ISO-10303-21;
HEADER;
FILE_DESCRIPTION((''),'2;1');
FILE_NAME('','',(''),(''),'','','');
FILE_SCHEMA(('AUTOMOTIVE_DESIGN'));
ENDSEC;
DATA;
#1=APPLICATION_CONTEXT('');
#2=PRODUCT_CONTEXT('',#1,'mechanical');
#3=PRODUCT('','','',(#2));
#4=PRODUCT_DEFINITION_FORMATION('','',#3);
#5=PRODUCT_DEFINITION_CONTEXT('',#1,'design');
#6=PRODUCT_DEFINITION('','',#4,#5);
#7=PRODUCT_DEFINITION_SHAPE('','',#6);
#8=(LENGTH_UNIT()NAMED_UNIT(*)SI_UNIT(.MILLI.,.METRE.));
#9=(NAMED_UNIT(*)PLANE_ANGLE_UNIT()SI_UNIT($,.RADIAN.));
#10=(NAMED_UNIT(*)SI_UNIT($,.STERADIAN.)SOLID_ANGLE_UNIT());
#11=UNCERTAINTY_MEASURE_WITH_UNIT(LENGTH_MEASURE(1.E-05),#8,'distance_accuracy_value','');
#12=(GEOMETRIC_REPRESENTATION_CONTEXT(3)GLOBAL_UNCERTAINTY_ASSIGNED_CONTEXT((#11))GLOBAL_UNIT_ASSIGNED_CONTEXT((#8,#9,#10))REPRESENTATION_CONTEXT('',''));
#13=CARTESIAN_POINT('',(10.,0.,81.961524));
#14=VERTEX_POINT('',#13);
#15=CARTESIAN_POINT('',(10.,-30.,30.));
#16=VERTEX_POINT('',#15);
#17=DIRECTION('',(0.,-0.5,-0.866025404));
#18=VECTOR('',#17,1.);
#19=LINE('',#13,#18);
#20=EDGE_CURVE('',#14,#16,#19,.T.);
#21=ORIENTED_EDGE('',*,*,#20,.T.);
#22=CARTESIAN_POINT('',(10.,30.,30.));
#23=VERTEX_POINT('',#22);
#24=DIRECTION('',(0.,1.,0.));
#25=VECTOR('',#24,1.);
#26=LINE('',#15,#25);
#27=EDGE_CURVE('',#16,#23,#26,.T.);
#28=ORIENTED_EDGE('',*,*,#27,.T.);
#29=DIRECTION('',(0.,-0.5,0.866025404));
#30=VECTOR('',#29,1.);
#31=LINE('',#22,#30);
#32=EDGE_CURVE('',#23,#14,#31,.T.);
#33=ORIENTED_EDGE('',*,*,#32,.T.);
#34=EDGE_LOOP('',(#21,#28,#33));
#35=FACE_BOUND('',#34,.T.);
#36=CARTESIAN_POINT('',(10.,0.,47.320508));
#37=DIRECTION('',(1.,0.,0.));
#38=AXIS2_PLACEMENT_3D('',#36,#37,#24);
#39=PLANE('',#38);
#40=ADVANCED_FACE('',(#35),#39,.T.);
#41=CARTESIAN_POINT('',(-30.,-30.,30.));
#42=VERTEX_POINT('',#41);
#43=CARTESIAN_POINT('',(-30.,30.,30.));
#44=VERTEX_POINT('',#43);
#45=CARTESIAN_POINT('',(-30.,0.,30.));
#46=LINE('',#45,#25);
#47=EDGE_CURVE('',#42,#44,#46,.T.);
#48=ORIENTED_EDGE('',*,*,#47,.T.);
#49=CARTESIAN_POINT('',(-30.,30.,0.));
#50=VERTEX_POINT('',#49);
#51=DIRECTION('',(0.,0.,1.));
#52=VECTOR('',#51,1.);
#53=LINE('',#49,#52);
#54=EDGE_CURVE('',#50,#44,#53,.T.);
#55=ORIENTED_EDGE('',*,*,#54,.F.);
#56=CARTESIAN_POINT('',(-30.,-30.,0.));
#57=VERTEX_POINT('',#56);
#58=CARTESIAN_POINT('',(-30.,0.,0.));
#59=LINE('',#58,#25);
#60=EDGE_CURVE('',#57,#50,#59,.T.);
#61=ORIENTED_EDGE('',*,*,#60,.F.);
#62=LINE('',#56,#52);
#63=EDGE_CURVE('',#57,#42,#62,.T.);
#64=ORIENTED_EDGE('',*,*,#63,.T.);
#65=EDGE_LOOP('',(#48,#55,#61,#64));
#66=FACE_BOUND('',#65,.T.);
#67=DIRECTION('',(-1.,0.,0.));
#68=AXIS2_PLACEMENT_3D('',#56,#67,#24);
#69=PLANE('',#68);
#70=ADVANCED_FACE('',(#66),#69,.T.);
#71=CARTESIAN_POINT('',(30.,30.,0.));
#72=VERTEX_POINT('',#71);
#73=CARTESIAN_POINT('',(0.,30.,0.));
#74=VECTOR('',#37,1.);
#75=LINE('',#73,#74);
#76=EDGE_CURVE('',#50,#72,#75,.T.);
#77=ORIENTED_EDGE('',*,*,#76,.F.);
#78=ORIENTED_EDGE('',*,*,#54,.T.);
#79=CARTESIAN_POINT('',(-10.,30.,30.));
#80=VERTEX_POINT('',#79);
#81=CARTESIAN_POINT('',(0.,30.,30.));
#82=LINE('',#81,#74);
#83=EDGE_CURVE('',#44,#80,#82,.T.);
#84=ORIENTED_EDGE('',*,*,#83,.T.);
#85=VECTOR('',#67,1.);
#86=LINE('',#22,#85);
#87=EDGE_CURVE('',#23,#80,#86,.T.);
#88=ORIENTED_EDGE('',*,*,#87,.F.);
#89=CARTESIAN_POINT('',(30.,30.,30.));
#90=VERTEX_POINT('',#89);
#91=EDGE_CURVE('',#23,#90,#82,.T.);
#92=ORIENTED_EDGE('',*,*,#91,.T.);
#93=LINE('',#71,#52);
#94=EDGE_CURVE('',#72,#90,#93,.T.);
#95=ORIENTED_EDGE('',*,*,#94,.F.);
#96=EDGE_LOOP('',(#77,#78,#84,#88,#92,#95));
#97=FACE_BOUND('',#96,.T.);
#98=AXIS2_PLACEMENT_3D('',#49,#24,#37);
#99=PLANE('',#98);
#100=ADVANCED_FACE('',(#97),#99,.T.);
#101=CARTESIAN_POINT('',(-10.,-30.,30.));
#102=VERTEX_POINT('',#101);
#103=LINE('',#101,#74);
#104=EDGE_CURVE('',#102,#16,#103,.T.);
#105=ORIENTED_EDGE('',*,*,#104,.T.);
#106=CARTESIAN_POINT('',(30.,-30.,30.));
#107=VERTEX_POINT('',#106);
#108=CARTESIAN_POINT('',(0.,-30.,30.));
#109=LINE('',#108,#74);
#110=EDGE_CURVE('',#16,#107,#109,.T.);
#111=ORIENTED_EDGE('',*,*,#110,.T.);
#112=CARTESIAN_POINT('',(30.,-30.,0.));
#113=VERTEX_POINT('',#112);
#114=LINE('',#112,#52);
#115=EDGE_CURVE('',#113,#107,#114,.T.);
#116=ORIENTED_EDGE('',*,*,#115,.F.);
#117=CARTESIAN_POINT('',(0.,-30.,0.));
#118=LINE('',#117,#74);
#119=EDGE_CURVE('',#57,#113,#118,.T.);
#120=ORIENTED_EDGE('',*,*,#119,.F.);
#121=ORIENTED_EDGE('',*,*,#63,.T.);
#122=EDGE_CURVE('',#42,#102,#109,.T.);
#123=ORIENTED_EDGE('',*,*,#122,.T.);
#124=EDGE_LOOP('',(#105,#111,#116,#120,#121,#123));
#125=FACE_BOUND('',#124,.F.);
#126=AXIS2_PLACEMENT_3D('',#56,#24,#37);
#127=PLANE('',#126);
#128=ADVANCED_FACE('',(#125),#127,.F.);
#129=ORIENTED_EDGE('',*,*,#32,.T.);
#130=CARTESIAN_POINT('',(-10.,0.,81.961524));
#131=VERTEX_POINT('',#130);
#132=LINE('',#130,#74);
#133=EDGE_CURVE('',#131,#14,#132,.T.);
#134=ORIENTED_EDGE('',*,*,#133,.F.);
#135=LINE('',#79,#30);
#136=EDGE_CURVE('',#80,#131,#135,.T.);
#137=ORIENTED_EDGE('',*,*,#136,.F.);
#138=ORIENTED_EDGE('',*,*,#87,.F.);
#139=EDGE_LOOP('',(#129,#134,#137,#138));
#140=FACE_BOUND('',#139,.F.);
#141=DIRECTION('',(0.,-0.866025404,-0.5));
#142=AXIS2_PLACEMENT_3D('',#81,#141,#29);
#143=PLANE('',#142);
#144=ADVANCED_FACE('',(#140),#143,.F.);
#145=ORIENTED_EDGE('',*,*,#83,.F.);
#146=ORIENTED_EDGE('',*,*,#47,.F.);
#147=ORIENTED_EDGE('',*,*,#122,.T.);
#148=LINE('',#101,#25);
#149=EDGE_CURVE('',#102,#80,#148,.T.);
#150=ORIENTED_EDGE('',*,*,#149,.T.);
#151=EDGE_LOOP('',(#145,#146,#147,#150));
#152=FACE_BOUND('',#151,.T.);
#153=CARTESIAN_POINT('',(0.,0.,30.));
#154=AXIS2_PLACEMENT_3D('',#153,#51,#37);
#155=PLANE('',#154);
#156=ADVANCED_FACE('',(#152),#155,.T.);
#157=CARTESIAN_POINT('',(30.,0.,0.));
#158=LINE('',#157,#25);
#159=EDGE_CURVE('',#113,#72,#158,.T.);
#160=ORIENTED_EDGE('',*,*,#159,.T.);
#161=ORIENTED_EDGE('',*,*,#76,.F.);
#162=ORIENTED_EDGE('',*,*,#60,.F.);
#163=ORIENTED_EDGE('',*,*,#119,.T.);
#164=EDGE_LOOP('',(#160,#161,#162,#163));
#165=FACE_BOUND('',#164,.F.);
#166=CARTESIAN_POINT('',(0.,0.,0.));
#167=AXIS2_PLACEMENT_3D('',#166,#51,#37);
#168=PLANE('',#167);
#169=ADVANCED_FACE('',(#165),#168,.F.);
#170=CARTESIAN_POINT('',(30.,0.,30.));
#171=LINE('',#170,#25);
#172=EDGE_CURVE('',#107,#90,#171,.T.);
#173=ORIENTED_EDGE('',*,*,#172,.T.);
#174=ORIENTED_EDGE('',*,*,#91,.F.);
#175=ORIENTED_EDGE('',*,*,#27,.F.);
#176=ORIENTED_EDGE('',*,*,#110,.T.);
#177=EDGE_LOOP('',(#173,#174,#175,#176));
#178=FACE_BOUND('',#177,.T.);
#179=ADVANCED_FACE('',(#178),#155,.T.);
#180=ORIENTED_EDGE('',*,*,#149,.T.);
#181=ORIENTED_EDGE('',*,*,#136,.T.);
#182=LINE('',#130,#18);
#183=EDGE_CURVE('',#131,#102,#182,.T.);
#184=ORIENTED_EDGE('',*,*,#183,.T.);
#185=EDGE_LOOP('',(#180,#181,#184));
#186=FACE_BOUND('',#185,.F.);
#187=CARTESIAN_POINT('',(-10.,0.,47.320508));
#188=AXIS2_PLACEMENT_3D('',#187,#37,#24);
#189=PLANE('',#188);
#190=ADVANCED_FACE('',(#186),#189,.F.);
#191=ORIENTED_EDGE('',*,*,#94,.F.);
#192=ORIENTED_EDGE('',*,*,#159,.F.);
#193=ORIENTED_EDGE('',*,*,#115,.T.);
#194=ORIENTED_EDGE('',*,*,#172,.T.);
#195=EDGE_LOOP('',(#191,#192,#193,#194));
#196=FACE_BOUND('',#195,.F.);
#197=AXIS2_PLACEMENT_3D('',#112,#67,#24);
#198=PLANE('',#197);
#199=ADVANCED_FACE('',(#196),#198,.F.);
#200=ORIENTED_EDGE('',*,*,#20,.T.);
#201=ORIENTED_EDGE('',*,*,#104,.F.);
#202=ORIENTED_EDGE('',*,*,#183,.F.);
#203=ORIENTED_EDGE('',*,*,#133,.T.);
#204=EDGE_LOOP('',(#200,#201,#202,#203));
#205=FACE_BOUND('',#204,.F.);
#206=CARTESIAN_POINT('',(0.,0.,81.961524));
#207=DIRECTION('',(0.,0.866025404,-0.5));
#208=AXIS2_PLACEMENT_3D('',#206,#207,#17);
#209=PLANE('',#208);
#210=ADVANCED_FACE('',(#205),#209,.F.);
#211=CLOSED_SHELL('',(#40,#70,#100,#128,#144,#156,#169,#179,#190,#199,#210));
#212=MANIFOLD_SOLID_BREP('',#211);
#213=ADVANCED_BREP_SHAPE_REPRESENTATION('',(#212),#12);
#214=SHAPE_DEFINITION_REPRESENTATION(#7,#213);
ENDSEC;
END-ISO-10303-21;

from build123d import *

# Parameters (mm, degrees)
F0_W          = 60
F0_H          = 60
F1_DEPTH      = 30
F3_DEPTH      = 10
F3_DEPTH_BACK = 10


with BuildPart() as f1:
    # F0 (on Top) → F1 (new body)
    with BuildSketch(Plane.XY):
        Rectangle(F0_W, F0_H)
    extrude(amount=F1_DEPTH)

    # F2 (on Right) → F3 (join, two sides)
    with BuildSketch(Plane.YZ) as f3_sk:
        Polygon((-30, 30), (30, 30), (0, 81.9615242271), align=None)
    extrude(amount=-F3_DEPTH)
    extrude(f3_sk.sketch, amount=F3_DEPTH_BACK)


solid = f1.part
